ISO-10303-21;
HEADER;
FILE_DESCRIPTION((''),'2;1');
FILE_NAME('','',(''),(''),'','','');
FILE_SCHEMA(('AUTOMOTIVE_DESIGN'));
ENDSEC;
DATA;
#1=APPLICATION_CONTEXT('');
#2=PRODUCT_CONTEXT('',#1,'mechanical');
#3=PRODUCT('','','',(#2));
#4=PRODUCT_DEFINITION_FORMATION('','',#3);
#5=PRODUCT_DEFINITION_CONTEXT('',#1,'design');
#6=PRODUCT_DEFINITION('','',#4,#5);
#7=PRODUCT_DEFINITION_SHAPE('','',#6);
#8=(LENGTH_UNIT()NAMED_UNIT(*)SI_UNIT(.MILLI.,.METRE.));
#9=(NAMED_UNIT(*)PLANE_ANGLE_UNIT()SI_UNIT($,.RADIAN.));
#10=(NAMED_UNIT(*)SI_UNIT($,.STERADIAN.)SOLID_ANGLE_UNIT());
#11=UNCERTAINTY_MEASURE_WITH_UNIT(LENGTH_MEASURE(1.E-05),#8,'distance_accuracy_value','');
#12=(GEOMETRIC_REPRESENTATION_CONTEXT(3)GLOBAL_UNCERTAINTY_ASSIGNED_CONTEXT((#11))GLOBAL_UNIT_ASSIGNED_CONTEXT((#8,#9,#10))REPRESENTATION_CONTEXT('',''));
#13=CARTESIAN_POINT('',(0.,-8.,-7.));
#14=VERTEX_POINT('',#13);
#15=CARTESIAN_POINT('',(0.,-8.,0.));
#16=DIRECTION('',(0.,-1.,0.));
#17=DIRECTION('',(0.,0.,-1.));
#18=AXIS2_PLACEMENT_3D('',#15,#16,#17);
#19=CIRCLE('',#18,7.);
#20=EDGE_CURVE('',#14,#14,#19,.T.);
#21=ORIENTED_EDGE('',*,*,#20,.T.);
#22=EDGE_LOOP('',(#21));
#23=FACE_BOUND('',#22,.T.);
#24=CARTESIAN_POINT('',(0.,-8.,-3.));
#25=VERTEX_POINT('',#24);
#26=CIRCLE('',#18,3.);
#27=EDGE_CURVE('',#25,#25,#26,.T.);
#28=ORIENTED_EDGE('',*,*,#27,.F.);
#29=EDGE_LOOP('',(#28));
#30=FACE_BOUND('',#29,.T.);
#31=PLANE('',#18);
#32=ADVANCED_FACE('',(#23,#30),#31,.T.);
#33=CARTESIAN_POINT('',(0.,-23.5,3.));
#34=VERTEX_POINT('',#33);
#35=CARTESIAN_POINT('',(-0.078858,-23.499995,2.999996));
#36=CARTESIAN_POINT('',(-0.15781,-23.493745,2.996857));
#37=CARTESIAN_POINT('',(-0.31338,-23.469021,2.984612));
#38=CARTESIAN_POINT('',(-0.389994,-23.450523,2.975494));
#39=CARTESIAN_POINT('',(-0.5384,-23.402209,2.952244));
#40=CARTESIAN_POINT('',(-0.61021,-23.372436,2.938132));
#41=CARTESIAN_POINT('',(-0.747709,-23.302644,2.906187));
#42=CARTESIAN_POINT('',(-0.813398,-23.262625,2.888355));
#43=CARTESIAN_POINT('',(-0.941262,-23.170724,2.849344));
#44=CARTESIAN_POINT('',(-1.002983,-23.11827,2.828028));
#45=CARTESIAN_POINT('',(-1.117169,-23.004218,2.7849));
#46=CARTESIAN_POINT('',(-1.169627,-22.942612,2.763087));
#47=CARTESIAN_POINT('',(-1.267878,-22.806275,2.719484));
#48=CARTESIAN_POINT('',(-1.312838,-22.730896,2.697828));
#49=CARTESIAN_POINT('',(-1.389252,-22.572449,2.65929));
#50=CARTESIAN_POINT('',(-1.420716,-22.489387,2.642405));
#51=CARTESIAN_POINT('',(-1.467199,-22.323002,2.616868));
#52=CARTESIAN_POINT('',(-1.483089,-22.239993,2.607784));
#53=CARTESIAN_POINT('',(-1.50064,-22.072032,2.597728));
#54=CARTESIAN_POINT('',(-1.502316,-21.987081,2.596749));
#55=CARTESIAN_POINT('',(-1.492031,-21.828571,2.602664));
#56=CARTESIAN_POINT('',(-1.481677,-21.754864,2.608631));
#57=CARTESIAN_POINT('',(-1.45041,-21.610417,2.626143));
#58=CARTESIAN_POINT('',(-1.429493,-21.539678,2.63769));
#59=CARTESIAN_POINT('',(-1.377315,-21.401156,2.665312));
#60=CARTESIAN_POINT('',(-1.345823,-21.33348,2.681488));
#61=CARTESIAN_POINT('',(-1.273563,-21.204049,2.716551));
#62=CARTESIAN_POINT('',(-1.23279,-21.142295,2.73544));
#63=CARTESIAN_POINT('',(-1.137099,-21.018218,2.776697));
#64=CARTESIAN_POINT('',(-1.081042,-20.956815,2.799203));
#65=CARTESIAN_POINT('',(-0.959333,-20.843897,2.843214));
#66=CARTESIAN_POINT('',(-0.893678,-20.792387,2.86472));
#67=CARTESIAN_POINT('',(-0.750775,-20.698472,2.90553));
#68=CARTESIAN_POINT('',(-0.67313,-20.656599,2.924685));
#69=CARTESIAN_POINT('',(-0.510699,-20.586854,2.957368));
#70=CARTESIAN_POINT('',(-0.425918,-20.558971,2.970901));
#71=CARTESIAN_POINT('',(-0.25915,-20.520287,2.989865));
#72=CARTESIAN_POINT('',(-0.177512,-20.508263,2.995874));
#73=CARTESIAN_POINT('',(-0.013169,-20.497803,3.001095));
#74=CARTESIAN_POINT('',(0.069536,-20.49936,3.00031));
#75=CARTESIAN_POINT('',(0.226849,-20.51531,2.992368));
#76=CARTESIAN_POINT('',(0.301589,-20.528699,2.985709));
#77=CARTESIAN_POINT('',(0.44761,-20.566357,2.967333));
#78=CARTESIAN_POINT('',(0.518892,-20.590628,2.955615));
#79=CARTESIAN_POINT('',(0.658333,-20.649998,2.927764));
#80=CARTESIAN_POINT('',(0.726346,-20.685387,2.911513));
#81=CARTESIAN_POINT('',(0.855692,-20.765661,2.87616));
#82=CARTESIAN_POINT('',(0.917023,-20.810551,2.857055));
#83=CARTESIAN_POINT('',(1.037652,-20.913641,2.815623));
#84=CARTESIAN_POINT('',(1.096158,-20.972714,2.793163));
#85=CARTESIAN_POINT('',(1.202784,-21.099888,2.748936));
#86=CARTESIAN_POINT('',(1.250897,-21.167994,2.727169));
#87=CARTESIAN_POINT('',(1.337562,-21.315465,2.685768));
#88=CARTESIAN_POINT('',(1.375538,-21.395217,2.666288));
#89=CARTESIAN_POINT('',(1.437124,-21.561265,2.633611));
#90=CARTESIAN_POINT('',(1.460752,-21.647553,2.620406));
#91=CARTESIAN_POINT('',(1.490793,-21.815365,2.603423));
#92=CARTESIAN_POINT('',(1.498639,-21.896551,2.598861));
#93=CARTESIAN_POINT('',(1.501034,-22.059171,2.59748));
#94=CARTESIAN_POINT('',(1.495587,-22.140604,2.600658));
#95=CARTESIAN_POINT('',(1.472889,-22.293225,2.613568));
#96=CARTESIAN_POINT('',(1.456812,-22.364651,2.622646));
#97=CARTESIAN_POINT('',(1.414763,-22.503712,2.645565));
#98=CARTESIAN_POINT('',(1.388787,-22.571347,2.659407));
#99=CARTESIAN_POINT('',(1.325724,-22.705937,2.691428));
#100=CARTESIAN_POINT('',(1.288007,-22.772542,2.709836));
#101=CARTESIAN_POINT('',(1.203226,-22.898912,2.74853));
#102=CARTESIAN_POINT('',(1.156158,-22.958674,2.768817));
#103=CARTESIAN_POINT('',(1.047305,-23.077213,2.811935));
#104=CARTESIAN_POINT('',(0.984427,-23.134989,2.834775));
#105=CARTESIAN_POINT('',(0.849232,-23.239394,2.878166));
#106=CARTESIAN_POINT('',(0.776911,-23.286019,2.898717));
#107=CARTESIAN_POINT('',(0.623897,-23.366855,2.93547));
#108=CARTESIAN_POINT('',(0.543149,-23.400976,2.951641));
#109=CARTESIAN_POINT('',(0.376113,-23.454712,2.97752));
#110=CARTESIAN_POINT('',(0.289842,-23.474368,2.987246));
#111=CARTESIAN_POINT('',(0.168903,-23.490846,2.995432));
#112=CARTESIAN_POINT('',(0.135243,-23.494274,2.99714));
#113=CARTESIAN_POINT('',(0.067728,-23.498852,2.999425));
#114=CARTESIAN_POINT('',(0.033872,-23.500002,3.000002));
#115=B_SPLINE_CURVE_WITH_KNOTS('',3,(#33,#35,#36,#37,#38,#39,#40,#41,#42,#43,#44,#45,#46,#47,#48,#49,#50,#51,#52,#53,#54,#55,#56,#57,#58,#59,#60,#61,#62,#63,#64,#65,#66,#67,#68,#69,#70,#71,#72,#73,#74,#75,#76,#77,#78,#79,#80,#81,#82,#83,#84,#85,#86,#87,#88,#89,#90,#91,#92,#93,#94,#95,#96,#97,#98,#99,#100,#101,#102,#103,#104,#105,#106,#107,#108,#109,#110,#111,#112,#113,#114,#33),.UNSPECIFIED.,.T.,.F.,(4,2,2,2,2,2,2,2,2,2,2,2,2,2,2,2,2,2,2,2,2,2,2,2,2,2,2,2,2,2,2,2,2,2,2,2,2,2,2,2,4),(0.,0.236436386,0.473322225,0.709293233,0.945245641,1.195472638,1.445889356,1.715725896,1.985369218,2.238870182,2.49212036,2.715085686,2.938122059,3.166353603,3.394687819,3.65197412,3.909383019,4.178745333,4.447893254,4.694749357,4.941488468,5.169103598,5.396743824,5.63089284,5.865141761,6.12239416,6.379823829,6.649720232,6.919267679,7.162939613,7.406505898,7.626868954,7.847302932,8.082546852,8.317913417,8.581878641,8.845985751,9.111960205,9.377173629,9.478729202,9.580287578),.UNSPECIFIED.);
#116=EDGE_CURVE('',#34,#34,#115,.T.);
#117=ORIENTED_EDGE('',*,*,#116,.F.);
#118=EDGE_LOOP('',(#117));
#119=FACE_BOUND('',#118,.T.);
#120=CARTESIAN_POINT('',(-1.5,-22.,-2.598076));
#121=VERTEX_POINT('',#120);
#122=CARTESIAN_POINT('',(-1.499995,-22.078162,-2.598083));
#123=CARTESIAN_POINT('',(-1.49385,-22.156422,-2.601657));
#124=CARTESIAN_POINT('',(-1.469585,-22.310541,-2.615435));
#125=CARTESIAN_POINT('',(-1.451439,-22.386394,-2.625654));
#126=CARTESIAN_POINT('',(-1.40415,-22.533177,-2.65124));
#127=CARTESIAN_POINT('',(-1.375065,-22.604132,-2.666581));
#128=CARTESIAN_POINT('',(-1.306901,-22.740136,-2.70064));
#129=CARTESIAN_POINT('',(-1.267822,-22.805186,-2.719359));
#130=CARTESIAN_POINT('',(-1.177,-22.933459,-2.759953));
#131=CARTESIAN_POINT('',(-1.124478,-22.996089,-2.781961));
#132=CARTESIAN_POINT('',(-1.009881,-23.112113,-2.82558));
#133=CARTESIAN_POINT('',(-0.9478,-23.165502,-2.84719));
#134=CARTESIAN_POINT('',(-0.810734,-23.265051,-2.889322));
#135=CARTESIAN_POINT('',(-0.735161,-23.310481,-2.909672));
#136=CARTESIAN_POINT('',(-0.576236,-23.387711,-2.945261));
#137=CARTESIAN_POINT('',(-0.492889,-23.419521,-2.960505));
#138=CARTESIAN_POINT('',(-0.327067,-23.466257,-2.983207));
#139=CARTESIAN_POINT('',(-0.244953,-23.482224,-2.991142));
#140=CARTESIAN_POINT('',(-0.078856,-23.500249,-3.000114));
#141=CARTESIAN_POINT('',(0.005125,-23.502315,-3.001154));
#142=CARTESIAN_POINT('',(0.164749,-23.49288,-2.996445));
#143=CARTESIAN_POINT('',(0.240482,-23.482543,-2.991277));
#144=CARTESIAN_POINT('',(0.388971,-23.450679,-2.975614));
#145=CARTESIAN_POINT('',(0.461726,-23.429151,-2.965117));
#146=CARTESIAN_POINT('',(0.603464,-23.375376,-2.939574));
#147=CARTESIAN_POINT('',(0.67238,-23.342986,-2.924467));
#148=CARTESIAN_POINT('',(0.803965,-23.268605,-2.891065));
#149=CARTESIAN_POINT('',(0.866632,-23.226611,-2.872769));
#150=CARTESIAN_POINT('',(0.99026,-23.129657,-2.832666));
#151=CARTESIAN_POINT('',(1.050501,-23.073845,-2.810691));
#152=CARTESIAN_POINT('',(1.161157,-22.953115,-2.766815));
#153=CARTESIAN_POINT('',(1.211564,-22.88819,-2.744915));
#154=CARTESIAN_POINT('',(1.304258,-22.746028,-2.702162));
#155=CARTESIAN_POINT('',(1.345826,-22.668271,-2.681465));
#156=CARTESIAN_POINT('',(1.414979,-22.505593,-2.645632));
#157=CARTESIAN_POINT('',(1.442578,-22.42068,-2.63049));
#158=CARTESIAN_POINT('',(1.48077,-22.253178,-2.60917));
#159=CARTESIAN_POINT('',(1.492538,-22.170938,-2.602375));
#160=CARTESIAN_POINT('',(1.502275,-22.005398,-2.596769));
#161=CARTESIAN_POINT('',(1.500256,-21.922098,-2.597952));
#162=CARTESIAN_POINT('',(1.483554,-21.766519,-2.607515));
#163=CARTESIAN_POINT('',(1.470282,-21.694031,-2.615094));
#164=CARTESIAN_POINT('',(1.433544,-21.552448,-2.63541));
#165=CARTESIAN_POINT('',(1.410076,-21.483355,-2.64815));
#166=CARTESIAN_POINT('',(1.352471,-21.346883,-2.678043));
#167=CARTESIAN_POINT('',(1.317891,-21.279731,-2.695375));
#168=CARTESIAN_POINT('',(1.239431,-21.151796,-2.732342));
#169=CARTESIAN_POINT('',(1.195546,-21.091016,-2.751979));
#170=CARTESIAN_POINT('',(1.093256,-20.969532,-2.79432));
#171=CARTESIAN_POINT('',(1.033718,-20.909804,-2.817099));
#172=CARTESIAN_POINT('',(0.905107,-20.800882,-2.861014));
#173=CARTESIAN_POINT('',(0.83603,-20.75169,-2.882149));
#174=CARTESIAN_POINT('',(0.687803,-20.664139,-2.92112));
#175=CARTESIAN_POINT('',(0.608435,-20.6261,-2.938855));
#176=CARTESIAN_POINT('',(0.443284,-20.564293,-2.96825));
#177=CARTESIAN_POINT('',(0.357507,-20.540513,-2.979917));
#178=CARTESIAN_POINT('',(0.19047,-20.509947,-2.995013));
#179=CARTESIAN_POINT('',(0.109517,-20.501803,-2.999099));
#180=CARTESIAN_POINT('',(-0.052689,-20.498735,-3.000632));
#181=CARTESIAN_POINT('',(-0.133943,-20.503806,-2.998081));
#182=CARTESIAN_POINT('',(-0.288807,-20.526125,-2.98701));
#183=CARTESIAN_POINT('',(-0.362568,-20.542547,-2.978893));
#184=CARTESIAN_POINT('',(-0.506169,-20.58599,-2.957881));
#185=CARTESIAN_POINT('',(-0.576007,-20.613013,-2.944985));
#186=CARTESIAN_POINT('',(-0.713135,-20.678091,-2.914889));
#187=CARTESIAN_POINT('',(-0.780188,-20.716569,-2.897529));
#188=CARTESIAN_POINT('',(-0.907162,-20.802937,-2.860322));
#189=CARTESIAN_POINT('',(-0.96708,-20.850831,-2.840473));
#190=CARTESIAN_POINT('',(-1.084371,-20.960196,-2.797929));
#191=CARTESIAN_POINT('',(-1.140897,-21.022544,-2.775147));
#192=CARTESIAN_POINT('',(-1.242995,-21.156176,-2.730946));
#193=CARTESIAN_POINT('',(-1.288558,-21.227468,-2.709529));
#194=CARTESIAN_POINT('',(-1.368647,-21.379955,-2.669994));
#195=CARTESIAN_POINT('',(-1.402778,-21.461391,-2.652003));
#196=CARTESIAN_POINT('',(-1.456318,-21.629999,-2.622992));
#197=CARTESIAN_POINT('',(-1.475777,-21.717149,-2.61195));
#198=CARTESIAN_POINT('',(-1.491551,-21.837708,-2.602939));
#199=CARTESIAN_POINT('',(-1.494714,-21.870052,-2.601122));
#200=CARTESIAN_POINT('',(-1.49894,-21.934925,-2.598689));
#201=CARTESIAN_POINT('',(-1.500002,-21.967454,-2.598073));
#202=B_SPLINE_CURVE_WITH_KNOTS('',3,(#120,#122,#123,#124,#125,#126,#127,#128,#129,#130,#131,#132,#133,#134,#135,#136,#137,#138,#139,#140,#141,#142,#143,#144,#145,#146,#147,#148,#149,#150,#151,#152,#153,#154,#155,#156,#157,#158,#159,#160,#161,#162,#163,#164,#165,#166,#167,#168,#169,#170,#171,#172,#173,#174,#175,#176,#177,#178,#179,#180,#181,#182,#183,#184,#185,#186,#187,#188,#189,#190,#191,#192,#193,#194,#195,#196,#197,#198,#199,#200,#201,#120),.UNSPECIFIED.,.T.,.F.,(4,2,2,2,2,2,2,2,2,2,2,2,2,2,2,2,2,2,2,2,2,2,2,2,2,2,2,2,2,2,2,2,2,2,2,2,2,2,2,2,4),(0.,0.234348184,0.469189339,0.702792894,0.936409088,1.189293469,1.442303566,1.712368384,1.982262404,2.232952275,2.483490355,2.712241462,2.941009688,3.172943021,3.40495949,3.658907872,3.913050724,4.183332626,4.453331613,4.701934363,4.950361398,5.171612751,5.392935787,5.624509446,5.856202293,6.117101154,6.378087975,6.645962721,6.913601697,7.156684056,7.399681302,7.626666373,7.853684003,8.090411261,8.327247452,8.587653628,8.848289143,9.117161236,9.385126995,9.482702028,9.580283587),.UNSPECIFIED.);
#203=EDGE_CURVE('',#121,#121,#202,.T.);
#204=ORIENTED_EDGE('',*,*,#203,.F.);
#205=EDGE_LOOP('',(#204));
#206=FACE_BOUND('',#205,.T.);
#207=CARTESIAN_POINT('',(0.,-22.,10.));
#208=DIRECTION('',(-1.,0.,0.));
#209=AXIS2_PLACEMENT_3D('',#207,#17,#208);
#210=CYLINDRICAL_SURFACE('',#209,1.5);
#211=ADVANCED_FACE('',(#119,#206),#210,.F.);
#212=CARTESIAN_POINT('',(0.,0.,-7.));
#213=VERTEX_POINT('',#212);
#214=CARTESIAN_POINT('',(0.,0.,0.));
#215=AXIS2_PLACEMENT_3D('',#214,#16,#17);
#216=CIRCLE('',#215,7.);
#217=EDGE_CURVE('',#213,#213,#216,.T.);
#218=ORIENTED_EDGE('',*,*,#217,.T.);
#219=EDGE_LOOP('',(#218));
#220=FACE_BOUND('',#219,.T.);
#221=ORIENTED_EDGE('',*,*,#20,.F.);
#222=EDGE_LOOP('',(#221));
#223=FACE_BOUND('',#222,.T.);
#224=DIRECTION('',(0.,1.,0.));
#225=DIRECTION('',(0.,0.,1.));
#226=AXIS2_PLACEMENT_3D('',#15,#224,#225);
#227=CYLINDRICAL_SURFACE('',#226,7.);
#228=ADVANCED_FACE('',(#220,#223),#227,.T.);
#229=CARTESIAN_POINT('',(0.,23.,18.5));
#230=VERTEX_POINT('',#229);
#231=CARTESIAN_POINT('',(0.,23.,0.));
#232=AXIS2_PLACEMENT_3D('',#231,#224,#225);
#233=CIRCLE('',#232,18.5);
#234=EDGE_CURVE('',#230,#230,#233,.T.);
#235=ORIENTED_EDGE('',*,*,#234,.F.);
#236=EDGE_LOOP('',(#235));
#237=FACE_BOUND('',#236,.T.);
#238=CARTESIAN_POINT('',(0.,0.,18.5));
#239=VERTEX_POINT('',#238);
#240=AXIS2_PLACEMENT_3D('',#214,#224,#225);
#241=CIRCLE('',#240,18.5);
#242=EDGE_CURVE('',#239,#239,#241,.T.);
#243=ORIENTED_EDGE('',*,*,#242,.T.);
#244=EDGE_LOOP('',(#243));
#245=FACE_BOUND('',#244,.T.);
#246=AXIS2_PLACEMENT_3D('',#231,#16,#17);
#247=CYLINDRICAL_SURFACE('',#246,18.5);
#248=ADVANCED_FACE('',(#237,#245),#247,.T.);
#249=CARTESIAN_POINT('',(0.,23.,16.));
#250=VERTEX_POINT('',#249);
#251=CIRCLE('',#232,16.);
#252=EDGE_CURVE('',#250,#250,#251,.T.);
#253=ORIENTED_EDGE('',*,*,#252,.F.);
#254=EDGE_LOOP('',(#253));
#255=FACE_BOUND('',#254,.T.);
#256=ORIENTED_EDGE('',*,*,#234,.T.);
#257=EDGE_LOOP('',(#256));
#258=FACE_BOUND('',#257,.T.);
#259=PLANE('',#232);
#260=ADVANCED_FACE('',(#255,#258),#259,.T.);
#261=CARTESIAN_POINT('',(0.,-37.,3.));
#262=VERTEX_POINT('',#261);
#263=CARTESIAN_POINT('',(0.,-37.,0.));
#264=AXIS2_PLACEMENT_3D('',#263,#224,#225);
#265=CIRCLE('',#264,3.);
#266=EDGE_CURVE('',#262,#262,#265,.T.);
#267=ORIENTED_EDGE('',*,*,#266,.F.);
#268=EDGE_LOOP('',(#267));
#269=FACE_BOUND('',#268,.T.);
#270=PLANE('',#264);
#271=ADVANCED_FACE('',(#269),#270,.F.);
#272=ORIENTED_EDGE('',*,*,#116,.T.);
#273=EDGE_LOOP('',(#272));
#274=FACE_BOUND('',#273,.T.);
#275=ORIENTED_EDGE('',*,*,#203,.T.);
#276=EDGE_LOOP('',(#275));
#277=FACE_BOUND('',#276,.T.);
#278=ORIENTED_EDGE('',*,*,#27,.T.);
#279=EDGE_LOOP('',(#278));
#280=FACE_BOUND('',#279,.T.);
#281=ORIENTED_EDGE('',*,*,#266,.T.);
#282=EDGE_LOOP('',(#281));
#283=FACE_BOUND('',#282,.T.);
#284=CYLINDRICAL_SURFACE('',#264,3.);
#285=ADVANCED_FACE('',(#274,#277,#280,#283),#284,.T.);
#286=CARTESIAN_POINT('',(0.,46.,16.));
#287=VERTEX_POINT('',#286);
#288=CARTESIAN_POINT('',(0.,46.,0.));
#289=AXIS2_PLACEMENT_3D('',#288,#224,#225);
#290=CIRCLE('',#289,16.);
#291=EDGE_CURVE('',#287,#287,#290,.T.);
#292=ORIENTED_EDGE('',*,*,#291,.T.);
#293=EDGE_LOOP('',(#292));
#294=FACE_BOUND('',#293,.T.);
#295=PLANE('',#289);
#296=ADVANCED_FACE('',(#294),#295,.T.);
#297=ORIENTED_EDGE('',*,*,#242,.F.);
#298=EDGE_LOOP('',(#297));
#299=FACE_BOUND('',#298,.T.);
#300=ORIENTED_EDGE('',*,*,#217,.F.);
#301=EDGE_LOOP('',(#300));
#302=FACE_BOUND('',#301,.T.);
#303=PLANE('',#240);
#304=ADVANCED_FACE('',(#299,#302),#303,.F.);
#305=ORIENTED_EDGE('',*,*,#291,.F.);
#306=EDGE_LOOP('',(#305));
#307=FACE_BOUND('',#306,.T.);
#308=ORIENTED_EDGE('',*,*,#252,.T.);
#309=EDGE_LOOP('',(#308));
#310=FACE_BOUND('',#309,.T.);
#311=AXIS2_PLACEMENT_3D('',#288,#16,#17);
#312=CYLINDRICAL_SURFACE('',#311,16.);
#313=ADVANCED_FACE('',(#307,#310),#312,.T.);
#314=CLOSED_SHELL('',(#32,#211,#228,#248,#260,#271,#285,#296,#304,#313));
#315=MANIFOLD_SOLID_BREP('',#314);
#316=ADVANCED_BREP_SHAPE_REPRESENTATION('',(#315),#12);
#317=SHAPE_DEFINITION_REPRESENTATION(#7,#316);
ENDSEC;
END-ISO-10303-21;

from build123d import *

# Parameters (mm, degrees)
SKETCH2_R               = 18.5
BOSS_EXTRUDE1_DEPTH     = 23
SKETCH3_R               = 16
BOSS_EXTRUDE2_DEPTH     = 23
SKETCH4_R               = 7
BOSS_EXTRUDE3_DEPTH     = 8
SKETCH12_R              = 3
BOSS_EXTRUDE6_DEPTH     = 37
CUT_EXTRUDE1_DEPTH      = 10
CUT_EXTRUDE1_DEPTH_BACK = 10
SKETCH7_R               = 1.5


with BuildPart() as part:
    # Sketch2 → Boss-Extrude1 (new body)
    with BuildSketch(Plane(origin=(0, 0, 0), x_dir=(1, 0, 0), z_dir=(0, 1, 0))):
        Circle(SKETCH2_R)
    extrude(amount=BOSS_EXTRUDE1_DEPTH)

    # Sketch3 → Boss-Extrude2 (add)
    with BuildSketch(Plane(origin=(0, 23, 0), x_dir=(1, 0, 0), z_dir=(0, 1, 0))):
        Circle(SKETCH3_R)
    extrude(amount=BOSS_EXTRUDE2_DEPTH)

    # Sketch4 → Boss-Extrude3 (add)
    with BuildSketch(Plane.XZ):
        Circle(SKETCH4_R)
    extrude(amount=BOSS_EXTRUDE3_DEPTH)

    # Sketch12 → Boss-Extrude6 (add)
    with BuildSketch(Plane(origin=(0, 0, 0), x_dir=(1, 0, 0), z_dir=(0, 1, 0))):
        Circle(SKETCH12_R)
    extrude(amount=-BOSS_EXTRUDE6_DEPTH)

    # Sketch7 → Cut-Extrude1 (cut, two sides: drawn at the far end of the back side and taken through both)
    with BuildSketch(Plane.XY.offset(-CUT_EXTRUDE1_DEPTH_BACK)):
        with Locations((0, -22)):
            Circle(SKETCH7_R)
    extrude(amount=CUT_EXTRUDE1_DEPTH + CUT_EXTRUDE1_DEPTH_BACK, mode=Mode.SUBTRACT)


solid = part.part
